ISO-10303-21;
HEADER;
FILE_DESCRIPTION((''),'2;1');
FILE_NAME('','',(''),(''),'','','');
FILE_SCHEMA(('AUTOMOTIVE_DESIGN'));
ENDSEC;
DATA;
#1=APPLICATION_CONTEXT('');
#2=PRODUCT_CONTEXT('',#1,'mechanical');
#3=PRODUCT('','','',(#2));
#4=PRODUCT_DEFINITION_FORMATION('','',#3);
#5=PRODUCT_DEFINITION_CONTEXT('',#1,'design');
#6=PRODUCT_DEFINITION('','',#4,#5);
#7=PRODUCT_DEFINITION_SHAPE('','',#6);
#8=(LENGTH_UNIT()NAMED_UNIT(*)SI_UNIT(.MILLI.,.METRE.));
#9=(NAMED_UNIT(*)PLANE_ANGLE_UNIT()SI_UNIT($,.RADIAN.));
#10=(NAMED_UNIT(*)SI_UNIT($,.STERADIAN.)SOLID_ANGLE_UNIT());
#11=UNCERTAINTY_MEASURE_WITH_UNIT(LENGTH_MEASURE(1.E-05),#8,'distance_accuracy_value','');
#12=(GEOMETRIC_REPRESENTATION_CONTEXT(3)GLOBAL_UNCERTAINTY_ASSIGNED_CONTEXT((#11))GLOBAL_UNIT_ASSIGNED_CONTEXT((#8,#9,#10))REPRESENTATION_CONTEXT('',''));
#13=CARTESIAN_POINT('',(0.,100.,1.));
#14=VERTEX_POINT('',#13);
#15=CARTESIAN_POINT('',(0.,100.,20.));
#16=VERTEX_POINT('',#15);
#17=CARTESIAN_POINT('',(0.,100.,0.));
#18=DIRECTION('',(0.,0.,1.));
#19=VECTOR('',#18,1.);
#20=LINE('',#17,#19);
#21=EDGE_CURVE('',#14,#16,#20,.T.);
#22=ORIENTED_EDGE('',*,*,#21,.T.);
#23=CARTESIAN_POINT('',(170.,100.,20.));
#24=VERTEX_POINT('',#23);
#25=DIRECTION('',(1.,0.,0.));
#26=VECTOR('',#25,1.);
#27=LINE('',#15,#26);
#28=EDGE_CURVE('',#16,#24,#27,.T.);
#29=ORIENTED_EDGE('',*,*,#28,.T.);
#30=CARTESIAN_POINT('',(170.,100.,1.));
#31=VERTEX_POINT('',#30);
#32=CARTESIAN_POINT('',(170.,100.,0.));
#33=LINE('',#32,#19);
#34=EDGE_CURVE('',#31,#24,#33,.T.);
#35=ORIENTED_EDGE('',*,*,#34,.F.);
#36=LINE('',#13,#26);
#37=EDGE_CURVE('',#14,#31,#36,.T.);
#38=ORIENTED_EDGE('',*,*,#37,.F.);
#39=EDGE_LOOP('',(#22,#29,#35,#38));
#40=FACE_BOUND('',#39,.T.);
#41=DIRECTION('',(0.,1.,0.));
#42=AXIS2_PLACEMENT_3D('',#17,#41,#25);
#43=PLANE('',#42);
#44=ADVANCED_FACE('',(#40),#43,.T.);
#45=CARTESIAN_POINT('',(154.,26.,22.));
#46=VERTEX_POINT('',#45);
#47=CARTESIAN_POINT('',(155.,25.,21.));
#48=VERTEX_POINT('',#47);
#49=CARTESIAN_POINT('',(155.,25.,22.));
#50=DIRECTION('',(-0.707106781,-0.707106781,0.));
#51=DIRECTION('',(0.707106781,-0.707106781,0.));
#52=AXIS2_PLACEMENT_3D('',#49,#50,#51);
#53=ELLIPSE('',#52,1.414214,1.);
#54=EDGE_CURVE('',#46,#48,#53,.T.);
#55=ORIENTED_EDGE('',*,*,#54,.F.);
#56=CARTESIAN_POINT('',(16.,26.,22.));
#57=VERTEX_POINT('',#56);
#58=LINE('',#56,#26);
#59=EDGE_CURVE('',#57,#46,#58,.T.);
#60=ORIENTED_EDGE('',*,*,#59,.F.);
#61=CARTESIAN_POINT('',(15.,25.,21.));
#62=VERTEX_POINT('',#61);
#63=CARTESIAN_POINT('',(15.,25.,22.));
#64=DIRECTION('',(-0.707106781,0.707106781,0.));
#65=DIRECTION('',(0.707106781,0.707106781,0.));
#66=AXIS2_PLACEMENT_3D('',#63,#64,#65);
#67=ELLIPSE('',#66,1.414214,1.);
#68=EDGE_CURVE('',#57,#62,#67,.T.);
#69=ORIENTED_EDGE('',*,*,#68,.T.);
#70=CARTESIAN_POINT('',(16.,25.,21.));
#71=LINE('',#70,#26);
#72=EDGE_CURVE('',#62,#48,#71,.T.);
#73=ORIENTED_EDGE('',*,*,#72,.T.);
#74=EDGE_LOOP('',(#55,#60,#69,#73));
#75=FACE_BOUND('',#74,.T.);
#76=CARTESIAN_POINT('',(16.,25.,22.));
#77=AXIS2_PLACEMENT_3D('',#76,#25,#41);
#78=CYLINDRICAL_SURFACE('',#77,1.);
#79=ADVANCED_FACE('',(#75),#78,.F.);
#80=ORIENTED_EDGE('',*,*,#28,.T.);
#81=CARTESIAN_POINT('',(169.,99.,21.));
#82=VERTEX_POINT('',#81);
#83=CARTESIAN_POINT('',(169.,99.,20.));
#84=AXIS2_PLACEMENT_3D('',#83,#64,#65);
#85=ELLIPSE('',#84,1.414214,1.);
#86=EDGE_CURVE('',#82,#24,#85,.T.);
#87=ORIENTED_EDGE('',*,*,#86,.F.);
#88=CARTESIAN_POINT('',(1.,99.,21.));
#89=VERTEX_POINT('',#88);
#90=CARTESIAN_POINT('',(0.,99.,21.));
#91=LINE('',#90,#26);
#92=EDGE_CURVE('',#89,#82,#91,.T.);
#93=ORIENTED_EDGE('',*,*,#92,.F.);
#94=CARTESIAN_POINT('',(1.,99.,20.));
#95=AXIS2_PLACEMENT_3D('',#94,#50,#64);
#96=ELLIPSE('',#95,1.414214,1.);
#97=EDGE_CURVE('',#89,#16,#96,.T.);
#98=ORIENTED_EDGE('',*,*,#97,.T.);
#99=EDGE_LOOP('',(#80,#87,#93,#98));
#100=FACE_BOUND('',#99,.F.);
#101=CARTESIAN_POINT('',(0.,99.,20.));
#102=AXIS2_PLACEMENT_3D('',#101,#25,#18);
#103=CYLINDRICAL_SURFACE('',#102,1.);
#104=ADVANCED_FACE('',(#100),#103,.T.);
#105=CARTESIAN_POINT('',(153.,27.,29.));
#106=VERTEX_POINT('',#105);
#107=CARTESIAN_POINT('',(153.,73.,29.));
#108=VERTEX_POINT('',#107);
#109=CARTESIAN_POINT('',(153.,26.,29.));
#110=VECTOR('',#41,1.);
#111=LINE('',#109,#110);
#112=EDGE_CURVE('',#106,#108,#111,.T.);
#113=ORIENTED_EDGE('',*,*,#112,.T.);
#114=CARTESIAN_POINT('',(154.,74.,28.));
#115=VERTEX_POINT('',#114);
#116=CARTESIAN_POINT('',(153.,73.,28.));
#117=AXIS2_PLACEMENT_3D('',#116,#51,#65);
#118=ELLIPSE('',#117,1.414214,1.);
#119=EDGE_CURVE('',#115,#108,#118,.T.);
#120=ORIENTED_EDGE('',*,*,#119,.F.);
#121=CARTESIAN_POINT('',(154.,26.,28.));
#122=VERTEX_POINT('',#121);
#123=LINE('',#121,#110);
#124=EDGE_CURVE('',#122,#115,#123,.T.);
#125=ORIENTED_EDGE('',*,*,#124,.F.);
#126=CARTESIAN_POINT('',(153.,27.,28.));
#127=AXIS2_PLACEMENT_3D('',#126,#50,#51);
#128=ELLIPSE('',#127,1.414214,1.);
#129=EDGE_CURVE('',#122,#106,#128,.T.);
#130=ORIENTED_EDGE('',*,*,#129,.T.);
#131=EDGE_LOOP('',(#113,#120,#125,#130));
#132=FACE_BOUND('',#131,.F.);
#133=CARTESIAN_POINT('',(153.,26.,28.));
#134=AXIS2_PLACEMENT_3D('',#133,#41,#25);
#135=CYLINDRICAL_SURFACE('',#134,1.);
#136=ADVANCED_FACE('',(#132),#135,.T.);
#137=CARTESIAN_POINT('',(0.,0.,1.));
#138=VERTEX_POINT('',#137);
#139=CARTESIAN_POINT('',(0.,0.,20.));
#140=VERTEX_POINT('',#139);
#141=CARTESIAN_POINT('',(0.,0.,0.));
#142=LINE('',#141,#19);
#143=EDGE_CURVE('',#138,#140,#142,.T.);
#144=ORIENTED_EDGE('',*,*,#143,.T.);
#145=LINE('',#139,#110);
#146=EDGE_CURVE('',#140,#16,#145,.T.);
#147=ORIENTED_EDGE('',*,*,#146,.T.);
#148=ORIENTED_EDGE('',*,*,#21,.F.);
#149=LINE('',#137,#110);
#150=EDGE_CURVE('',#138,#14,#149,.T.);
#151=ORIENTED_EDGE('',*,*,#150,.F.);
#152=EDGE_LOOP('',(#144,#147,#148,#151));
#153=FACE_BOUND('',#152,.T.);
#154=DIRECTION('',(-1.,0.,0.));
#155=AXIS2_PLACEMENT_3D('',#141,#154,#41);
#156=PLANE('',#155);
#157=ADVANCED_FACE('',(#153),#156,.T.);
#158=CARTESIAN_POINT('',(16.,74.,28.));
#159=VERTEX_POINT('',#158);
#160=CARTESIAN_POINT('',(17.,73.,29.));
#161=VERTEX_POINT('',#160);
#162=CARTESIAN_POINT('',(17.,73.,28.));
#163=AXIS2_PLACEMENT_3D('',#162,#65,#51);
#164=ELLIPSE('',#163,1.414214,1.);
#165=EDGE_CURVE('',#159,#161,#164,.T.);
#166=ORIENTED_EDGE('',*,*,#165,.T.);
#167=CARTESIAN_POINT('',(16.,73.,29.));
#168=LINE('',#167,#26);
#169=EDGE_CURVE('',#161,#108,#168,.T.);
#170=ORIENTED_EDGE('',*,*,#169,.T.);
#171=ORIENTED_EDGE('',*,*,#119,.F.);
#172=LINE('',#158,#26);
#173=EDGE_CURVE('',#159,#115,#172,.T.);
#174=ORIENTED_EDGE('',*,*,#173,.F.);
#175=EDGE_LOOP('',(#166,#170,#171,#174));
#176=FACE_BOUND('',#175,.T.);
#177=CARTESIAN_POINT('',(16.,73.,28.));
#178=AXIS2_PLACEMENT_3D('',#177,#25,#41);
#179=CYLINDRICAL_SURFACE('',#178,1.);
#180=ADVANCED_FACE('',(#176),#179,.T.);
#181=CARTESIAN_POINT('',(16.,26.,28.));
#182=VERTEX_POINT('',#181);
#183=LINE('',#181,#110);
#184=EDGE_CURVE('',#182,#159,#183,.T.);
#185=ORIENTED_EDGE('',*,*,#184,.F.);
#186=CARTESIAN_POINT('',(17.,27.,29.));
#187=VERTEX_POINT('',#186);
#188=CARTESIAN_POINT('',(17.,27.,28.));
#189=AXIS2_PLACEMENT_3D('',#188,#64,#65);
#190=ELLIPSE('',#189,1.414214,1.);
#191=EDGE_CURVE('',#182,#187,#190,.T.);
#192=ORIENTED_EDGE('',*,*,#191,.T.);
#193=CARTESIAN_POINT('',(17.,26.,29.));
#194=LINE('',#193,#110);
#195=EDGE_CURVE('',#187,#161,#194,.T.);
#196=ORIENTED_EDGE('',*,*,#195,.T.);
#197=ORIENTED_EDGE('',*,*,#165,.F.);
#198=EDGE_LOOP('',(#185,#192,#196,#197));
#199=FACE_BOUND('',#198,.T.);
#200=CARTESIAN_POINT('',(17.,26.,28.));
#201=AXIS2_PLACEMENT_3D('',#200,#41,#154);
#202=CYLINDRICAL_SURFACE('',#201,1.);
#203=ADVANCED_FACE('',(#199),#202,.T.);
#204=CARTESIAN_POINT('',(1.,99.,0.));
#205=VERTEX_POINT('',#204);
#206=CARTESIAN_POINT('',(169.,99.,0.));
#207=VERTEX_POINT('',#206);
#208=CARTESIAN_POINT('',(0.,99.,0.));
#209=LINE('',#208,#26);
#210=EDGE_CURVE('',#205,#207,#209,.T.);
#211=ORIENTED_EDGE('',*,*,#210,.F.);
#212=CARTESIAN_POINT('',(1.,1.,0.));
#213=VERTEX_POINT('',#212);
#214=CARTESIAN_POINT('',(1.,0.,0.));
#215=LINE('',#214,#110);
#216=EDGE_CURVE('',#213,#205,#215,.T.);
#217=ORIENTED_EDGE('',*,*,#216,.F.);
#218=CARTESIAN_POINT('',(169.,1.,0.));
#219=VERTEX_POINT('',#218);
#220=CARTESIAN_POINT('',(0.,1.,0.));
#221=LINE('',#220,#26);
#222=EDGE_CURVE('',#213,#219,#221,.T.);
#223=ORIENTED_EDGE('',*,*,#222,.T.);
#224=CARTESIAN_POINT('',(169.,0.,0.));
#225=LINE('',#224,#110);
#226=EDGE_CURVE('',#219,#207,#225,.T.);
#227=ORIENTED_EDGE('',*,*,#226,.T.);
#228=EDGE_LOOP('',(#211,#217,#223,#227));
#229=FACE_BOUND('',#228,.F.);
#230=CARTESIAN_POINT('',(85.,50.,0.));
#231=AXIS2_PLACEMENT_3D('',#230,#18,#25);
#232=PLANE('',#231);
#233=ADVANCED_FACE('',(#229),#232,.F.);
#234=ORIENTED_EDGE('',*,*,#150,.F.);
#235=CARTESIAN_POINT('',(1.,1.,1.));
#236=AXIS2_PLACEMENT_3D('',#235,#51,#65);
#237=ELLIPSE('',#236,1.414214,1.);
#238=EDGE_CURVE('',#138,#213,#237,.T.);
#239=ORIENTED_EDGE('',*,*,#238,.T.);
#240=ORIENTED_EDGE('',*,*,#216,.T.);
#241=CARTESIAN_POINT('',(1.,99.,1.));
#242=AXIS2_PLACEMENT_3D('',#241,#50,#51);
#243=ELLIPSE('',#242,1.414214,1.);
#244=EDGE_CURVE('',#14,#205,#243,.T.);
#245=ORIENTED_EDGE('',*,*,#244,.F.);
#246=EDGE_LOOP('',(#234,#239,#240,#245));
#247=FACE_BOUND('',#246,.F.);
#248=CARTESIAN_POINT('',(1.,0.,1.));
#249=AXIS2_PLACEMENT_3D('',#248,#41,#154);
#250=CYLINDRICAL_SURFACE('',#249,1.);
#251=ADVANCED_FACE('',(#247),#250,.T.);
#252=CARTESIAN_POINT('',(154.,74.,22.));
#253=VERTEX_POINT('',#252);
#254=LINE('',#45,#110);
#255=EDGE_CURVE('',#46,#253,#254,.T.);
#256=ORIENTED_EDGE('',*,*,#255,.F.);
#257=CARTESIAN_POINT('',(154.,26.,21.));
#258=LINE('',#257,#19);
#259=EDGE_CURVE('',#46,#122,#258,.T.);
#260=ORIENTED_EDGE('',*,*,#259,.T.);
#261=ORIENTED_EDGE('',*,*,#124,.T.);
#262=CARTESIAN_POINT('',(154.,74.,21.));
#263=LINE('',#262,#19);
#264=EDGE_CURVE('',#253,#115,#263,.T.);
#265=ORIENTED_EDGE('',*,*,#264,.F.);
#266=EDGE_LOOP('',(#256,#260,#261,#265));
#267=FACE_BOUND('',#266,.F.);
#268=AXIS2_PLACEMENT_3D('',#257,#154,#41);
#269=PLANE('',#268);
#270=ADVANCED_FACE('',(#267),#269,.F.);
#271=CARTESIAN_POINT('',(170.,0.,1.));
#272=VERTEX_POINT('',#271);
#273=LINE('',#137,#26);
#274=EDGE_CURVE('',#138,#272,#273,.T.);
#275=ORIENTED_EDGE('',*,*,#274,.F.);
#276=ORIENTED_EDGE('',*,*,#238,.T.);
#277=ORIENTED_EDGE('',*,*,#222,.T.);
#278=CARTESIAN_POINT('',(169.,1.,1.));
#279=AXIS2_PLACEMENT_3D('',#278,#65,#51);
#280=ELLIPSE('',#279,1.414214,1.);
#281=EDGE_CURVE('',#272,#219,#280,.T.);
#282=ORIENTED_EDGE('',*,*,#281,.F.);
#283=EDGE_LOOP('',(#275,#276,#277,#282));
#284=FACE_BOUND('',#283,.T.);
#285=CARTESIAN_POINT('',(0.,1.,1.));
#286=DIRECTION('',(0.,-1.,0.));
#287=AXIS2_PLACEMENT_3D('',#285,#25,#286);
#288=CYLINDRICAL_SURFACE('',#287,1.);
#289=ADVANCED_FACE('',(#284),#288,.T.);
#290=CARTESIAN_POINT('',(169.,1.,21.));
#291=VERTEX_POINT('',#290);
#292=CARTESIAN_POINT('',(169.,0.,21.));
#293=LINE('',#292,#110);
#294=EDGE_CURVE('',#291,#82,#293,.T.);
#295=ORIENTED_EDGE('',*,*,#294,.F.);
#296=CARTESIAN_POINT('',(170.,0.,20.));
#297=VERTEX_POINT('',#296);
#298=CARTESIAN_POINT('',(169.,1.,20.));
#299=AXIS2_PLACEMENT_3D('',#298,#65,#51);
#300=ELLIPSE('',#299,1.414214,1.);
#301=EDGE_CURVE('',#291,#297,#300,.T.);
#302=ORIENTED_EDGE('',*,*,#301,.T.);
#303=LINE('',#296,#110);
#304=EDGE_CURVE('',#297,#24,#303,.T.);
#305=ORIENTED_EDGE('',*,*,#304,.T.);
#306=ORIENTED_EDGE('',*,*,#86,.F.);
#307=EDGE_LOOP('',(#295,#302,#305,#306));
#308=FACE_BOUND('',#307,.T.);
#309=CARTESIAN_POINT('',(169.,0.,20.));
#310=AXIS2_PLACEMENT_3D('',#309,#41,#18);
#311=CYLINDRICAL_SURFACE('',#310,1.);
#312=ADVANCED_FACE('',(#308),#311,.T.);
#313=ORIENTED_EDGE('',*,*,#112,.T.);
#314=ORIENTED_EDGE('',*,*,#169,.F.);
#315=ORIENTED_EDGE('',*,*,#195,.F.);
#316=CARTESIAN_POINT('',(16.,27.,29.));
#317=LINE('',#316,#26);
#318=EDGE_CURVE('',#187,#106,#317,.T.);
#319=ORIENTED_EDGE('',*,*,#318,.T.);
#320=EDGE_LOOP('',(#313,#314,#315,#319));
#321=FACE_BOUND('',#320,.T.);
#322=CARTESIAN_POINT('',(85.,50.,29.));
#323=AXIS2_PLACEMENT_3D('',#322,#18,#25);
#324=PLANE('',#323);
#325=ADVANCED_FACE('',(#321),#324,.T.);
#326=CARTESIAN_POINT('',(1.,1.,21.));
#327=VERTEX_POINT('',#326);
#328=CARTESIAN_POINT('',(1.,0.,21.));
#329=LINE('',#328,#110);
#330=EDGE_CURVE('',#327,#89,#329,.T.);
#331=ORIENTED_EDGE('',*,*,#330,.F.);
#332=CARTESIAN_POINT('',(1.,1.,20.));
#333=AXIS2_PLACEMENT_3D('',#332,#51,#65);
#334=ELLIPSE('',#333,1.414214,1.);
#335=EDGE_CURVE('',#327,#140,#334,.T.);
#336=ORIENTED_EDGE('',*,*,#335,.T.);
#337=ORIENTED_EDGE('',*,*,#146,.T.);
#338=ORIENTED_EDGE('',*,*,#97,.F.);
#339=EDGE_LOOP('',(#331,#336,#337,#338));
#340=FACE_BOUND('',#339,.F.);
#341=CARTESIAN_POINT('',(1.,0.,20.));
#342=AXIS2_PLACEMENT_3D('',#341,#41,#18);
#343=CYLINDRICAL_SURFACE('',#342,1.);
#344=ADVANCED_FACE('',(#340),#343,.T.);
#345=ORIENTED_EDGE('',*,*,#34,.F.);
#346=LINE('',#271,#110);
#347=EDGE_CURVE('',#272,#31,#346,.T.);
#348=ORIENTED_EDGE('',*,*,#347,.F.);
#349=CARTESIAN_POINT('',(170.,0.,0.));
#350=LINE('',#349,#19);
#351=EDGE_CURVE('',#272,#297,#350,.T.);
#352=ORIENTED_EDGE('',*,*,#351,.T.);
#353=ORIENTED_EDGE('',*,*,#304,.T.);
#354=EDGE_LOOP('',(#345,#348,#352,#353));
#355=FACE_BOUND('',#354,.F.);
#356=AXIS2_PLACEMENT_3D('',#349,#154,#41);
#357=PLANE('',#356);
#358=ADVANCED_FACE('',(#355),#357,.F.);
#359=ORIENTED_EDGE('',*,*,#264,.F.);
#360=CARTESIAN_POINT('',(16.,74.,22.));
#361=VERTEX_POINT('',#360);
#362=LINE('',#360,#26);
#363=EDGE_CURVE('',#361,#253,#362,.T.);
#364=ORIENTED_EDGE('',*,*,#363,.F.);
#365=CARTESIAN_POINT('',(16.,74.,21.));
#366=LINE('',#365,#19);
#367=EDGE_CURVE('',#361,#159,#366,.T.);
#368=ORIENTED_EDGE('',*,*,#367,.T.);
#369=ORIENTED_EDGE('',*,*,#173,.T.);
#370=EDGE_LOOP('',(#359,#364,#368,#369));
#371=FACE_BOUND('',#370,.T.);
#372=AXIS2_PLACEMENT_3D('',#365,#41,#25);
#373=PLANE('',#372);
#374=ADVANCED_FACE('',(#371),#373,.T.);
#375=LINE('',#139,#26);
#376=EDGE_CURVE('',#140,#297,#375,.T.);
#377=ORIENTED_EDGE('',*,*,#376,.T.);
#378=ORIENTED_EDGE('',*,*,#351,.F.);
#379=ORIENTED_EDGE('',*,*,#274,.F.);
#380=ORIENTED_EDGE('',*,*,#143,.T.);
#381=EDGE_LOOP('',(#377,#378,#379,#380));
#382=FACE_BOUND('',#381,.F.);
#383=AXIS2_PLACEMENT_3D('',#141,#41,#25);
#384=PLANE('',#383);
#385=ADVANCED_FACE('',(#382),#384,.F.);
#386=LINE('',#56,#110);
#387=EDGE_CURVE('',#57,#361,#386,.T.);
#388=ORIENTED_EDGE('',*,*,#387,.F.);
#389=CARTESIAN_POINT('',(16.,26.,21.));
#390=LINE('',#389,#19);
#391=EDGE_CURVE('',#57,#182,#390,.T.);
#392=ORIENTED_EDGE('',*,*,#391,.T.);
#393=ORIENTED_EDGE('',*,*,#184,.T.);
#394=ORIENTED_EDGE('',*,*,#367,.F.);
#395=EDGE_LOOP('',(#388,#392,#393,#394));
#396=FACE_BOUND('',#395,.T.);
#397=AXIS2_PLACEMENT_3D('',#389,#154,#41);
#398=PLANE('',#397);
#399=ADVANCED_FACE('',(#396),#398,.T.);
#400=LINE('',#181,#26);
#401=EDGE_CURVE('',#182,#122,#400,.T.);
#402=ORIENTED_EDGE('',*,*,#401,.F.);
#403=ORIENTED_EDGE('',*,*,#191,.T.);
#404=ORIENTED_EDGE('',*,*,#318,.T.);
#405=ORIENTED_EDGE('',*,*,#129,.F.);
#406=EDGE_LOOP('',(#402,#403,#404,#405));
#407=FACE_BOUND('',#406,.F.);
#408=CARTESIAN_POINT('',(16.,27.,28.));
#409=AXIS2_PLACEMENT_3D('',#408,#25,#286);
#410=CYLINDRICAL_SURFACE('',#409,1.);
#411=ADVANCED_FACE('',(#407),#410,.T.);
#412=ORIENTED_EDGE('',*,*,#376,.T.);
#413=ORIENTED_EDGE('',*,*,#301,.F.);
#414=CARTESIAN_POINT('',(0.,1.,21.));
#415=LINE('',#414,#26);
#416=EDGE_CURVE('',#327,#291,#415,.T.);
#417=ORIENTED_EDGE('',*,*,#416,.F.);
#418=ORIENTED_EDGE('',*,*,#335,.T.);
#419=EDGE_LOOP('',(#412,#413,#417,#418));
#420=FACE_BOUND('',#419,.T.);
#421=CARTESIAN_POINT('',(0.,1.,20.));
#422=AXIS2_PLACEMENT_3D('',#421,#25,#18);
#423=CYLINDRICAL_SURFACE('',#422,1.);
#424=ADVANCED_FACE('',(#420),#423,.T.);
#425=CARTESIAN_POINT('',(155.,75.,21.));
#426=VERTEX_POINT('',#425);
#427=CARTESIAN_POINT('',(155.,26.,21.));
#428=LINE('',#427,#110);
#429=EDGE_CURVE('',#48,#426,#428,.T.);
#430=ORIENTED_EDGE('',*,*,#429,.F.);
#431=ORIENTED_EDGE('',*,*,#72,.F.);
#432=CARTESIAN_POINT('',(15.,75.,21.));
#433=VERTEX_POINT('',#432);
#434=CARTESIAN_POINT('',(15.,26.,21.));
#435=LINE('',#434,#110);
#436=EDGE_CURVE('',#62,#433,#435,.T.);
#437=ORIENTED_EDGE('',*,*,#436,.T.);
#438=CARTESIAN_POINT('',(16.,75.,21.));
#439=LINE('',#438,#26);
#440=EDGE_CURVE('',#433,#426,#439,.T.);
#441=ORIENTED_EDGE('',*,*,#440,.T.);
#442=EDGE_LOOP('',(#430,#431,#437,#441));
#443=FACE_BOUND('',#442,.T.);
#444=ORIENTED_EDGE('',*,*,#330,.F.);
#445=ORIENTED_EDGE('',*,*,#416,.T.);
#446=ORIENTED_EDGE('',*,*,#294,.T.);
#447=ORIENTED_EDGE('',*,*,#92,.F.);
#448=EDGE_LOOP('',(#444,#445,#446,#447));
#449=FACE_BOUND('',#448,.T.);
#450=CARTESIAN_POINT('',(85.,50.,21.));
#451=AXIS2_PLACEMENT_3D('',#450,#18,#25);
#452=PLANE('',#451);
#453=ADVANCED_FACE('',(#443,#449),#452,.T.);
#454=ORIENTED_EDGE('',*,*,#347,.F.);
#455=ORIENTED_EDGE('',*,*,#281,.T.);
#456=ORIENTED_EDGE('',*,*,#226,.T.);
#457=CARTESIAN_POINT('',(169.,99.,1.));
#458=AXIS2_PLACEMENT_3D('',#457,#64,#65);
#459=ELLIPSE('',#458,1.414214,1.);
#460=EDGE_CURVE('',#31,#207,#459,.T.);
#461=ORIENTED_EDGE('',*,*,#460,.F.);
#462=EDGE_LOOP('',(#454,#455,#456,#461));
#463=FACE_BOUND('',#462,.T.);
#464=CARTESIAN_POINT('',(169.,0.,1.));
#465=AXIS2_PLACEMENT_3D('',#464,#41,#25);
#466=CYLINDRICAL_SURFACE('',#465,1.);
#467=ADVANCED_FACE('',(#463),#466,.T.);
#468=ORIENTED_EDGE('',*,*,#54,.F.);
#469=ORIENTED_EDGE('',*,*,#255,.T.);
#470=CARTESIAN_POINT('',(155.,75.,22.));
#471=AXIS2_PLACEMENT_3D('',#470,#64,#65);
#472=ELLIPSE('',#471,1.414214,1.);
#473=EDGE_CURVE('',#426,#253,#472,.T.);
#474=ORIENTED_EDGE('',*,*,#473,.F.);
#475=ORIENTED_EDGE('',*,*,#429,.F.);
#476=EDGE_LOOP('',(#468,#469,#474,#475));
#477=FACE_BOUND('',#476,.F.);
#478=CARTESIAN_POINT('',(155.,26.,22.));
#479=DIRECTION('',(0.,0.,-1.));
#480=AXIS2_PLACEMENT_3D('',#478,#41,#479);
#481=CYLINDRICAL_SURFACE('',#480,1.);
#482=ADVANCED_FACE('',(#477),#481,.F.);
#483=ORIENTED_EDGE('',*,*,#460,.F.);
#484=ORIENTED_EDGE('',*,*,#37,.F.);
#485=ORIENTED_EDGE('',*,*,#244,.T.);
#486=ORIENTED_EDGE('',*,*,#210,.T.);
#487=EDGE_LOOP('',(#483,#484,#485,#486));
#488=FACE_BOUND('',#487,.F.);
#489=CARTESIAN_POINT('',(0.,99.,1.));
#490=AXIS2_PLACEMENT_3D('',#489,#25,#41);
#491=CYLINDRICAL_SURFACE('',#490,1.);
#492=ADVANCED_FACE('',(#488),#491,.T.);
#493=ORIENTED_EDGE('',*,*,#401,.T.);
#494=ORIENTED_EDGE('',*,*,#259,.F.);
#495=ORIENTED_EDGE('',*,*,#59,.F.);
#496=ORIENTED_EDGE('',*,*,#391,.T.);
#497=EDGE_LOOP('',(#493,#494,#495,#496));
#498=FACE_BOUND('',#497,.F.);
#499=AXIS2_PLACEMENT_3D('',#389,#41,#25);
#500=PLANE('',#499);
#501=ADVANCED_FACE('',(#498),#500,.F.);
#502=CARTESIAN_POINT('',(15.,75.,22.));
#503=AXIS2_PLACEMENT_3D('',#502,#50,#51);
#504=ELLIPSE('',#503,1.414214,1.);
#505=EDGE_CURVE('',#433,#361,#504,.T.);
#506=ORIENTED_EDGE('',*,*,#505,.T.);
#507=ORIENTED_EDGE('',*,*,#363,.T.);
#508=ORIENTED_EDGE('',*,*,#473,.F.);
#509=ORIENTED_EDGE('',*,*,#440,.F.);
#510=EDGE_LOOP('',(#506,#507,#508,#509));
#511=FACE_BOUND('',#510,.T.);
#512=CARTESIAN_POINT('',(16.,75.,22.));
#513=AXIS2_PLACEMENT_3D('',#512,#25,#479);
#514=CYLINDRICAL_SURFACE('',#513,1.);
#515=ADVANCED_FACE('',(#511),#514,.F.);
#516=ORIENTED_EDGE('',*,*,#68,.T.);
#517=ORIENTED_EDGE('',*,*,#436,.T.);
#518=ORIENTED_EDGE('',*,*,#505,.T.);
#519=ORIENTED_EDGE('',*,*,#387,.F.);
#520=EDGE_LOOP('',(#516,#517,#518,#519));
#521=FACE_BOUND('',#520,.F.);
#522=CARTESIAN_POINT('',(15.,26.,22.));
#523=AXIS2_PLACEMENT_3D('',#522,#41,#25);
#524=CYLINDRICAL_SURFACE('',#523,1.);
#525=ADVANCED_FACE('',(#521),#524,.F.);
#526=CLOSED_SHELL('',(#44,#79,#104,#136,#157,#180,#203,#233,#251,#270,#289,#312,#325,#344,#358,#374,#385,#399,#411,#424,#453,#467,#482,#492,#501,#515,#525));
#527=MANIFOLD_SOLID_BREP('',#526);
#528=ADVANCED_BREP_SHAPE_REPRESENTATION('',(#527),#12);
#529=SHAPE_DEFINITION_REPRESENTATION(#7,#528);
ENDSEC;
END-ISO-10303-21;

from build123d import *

# Parameters (mm, degrees)
SKETCH_W     = 170
SKETCH_H     = 100
PAD_DEPTH    = 21
SKETCH001_W  = 138
SKETCH001_H  = 48
PAD001_DEPTH = 8
FILLET_R     = 1
FILLET001_R  = 1
FILLET002_R  = 1


with BuildPart() as part:
    # Sketch → Pad (new body)
    with BuildSketch(Plane.XY):
        with Locations((85, 50)):
            Rectangle(SKETCH_W, SKETCH_H)
    extrude(amount=PAD_DEPTH)

    # Sketch001 (on Face6 of Pad) → Pad001 (join)
    with BuildSketch(Plane.XY.offset(21)):
        with Locations((85, 50)):
            Rectangle(SKETCH001_W, SKETCH001_H)
    extrude(amount=PAD001_DEPTH)

    # Fillet
    fillet_edges = [part.edges().sort_by_distance(p)[0] for p in [
        (85, 26, 29),
        (154, 50, 29),
        (85, 74, 29),
        (16, 50, 29),
    ]]
    fillet(fillet_edges, radius=FILLET_R)

    # Fillet001
    fillet001_edges = [part.edges().sort_by_distance(p)[0] for p in [
        (85, 0, 21),
        (0, 50, 21),
        (170, 50, 21),
        (85, 100, 21),
        (85, 26, 21),
        (154, 50, 21),
        (85, 74, 21),
        (16, 50, 21),
    ]]
    fillet(fillet001_edges, radius=FILLET001_R)

    # Fillet002
    fillet002_edges = [part.edges().sort_by_distance(p)[0] for p in [
        (85, 0, 0),
        (170, 50, 0),
        (85, 100, 0),
        (0, 50, 0),
    ]]
    fillet(fillet002_edges, radius=FILLET002_R)


solid = part.part
